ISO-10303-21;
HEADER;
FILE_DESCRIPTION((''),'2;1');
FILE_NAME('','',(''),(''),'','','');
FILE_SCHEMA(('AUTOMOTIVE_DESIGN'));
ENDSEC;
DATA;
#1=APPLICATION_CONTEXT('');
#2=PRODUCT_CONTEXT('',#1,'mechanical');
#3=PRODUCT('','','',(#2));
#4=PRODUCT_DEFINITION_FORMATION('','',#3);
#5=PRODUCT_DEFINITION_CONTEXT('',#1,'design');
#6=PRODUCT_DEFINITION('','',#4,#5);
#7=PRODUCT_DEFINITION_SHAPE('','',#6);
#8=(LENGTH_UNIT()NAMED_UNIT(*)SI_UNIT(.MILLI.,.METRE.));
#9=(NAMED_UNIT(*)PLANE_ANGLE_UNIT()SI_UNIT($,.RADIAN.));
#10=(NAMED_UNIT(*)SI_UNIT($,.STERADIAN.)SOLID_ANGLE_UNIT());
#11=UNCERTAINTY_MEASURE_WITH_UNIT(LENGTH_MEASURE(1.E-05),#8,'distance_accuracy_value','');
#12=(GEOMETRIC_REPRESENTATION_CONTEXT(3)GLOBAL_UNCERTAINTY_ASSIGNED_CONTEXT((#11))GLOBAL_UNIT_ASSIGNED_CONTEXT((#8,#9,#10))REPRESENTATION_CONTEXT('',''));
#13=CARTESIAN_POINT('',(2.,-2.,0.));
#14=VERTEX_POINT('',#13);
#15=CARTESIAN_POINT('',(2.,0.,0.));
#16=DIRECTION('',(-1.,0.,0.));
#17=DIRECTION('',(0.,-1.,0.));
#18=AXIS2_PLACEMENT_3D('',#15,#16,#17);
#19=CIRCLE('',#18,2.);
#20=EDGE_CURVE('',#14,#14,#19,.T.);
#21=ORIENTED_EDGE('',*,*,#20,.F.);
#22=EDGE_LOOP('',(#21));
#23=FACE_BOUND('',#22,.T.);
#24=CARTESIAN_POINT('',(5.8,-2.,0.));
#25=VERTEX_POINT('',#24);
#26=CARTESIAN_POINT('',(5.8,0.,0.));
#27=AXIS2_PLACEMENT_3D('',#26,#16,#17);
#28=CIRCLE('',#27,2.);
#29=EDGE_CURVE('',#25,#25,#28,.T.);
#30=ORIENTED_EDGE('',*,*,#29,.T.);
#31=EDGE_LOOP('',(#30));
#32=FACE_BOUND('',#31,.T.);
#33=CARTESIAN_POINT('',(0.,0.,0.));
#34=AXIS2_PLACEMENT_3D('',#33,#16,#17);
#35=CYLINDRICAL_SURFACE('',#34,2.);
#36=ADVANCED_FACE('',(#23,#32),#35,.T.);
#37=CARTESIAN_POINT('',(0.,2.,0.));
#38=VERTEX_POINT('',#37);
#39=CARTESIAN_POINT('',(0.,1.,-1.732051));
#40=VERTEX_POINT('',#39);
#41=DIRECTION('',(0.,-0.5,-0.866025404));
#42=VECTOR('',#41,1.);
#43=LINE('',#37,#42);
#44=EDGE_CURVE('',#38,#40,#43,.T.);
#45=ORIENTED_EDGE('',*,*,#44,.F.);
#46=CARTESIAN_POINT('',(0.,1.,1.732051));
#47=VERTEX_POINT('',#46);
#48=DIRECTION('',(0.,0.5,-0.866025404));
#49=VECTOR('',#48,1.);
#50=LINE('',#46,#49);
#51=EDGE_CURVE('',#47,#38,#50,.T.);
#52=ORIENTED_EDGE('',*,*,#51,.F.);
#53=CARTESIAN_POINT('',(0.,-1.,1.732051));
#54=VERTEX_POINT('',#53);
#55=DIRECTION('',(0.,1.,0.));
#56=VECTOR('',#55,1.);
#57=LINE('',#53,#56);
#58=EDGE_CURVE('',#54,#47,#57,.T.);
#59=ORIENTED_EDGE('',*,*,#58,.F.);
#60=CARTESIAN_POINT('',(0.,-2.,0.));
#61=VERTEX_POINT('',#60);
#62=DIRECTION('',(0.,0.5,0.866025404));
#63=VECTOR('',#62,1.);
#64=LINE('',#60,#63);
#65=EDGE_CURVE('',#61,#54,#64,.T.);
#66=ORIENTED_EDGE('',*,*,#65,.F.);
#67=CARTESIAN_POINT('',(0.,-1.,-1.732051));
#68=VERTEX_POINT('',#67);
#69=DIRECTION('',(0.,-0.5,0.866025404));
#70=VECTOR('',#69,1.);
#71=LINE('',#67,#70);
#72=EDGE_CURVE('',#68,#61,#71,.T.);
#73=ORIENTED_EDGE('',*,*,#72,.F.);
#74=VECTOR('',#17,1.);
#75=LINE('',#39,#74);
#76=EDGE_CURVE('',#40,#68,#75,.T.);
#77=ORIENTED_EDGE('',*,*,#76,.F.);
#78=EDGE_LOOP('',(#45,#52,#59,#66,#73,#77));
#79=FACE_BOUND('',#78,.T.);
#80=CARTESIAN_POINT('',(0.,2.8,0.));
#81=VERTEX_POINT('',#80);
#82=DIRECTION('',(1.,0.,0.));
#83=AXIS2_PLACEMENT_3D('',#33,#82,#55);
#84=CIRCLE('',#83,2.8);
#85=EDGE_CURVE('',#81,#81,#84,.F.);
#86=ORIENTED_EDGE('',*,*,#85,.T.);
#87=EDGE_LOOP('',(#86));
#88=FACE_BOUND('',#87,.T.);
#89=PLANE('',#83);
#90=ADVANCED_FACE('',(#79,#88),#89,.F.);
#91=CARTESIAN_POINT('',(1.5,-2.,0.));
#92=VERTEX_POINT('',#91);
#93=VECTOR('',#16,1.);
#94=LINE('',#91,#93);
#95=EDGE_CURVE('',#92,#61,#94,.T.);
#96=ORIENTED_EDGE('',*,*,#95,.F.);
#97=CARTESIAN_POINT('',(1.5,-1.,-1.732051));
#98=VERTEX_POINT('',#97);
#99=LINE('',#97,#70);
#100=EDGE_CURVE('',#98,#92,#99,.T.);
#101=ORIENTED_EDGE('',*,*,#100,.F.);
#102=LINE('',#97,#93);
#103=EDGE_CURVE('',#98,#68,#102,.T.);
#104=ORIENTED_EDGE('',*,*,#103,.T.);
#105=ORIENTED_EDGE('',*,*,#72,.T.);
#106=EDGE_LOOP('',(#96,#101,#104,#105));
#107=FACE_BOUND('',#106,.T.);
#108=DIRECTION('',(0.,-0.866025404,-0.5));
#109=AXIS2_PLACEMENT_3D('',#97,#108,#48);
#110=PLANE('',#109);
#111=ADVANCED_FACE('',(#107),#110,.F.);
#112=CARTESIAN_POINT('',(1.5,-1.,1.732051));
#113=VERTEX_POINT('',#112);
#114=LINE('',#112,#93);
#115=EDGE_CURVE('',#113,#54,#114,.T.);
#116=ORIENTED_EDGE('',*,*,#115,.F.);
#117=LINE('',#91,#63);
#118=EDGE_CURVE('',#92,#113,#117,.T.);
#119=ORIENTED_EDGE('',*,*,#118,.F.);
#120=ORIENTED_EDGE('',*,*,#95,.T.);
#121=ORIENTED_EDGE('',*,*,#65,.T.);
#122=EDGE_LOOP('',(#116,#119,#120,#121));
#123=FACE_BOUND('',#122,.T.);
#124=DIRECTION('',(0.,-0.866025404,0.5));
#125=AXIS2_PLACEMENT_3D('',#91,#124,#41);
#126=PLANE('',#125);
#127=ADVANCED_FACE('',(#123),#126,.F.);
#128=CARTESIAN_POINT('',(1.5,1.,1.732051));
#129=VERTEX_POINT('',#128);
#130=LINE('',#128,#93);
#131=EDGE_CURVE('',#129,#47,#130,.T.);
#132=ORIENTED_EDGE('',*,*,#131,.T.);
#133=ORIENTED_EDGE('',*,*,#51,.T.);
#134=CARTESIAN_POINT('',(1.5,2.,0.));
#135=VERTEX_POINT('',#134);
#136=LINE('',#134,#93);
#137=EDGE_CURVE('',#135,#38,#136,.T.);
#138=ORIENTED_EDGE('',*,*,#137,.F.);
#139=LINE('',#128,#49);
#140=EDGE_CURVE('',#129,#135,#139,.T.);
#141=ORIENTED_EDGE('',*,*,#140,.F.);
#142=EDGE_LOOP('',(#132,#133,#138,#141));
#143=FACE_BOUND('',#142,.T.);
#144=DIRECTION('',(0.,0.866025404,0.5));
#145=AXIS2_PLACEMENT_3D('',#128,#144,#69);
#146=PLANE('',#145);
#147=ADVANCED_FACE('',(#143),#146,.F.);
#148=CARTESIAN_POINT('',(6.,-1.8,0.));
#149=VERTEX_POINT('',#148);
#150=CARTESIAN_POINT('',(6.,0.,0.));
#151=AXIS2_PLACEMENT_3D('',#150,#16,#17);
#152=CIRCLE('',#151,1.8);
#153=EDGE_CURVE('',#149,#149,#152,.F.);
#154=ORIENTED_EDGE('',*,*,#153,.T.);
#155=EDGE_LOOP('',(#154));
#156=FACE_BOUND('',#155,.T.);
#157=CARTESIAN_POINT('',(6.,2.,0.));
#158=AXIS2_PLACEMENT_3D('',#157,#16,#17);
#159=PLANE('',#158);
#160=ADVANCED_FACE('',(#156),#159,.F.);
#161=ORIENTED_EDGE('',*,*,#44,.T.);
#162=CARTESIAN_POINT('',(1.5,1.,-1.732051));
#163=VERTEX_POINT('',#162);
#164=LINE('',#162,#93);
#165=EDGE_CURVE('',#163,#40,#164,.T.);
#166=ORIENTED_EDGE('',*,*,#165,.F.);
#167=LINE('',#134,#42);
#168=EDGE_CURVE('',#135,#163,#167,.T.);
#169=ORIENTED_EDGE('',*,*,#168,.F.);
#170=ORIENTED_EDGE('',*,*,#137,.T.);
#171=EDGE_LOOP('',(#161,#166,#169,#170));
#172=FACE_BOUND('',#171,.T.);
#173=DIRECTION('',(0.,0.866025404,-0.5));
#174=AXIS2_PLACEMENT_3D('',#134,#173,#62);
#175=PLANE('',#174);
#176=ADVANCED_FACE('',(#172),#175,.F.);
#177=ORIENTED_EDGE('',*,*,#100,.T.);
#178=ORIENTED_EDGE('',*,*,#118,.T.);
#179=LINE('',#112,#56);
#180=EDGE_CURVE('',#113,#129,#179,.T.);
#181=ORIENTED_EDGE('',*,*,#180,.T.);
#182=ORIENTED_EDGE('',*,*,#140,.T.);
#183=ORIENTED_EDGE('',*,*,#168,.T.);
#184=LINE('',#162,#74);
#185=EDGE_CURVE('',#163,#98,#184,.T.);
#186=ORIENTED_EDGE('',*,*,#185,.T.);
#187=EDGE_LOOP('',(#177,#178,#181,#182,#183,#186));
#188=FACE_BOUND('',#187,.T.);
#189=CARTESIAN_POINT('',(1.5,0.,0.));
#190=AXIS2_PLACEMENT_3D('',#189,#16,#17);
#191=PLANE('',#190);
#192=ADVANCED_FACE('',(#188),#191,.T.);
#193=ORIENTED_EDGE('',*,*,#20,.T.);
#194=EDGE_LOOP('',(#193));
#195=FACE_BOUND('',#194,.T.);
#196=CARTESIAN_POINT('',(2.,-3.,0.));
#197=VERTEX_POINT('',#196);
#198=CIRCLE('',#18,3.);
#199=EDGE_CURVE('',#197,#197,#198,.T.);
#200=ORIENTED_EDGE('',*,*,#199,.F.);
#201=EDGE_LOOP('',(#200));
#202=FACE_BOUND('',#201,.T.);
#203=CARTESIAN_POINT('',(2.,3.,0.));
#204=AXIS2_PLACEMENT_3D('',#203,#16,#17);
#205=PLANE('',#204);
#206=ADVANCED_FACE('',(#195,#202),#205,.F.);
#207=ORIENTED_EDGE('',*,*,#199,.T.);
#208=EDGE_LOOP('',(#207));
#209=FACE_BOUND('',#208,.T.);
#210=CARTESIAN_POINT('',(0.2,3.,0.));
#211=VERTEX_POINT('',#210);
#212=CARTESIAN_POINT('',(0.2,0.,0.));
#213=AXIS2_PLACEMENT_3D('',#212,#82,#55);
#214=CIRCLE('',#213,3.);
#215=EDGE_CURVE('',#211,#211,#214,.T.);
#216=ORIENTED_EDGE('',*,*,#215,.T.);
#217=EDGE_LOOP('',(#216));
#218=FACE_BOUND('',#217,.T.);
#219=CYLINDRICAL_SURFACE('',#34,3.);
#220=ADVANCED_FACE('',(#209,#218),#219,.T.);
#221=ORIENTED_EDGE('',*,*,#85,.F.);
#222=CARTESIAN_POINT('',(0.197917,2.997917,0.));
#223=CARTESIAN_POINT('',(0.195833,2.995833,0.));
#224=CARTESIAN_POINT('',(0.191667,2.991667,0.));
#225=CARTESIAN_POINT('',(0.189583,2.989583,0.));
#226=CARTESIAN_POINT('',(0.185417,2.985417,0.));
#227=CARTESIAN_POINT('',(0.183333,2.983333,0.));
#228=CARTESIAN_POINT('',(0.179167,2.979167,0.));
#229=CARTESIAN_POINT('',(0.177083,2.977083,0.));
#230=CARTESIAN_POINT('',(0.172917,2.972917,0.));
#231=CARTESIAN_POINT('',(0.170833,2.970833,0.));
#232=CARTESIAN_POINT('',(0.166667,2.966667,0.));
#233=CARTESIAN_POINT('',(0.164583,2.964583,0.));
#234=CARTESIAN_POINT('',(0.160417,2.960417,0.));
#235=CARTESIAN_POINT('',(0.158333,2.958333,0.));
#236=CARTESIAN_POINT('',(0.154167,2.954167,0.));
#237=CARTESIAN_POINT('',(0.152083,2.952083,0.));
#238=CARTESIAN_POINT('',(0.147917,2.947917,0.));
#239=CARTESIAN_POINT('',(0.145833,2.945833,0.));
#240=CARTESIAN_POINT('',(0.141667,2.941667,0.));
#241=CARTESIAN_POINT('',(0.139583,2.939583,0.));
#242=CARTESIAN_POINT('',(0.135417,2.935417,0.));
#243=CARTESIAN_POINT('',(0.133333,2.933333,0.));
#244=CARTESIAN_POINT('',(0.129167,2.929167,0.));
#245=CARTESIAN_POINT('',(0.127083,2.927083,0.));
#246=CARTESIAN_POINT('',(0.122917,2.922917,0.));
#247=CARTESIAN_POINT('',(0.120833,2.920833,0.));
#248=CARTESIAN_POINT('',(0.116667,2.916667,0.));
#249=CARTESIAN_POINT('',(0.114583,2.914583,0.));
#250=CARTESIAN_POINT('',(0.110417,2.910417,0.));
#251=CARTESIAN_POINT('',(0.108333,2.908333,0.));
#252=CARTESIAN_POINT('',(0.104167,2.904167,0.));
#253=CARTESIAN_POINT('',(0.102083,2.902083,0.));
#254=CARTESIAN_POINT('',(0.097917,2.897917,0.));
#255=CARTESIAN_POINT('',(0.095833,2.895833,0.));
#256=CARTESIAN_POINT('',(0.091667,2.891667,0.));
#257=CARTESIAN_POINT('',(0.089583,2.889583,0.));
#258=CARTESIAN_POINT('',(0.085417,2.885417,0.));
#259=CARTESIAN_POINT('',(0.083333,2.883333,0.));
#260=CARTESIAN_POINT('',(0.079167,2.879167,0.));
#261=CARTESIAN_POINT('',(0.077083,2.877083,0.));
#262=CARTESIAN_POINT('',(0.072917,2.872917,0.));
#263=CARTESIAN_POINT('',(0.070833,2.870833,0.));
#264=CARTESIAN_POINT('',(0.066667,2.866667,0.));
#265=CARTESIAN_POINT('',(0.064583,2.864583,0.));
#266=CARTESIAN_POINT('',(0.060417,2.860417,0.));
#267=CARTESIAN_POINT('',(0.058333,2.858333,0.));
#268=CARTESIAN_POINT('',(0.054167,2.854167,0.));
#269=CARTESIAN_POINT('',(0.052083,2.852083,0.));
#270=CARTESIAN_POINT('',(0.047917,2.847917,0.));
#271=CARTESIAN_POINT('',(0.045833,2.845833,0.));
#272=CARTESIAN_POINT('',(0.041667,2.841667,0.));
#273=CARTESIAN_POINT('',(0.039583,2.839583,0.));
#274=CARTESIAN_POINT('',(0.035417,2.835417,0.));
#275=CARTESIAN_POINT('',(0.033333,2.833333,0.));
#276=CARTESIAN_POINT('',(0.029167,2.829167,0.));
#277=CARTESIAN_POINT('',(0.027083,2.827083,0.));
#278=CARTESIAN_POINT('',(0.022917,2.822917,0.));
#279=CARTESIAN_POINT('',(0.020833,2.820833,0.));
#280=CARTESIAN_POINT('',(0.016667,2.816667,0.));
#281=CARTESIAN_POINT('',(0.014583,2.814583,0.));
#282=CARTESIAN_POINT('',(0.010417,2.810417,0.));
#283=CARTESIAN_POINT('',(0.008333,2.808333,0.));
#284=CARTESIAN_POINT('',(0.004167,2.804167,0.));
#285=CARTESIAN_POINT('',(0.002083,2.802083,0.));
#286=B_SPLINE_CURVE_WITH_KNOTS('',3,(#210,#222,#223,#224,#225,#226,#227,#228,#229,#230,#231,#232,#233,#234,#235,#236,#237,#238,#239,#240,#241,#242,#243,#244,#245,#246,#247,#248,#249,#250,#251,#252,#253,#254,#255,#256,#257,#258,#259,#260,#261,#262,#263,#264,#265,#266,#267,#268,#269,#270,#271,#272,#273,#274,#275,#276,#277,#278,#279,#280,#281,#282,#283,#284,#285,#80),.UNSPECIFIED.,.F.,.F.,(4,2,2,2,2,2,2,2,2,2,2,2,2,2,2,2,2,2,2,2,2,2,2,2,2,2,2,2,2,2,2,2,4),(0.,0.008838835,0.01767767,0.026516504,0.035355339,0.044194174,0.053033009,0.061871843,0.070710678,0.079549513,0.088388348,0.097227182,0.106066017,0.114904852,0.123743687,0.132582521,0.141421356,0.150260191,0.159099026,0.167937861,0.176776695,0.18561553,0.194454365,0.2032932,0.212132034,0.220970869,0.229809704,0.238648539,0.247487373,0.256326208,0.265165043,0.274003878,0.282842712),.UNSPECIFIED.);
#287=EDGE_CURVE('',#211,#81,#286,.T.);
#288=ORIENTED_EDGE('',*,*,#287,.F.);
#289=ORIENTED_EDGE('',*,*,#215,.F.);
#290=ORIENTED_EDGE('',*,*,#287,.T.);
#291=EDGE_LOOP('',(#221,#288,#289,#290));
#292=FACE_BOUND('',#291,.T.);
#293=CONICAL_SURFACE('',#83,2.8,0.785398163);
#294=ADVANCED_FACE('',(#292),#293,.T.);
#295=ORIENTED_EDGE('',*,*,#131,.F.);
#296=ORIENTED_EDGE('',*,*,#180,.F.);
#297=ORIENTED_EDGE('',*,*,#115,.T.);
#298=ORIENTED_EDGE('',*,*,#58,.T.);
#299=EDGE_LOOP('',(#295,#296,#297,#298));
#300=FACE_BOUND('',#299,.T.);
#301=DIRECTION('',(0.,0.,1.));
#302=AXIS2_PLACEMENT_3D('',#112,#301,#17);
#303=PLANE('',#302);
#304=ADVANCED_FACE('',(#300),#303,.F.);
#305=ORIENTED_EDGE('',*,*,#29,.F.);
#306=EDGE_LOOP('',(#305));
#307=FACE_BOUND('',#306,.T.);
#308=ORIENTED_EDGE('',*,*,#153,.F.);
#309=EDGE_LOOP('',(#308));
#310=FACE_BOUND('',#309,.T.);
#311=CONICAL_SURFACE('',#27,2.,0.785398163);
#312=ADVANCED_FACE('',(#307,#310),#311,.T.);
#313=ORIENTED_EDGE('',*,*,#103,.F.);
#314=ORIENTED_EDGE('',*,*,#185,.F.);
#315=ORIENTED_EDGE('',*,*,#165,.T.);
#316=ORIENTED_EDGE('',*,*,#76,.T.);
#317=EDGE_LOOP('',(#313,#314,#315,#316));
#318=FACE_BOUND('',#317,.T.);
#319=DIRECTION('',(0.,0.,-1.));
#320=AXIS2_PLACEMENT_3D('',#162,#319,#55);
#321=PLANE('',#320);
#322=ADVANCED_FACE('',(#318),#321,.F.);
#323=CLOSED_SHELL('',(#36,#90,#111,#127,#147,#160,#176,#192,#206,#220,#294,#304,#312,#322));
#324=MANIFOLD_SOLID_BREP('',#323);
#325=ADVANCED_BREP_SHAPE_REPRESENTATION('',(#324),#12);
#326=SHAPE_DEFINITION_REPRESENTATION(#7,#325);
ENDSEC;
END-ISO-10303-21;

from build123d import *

# Parameters (mm, degrees)
CUT_EXTRUDE1_DEPTH = 1.5
CHAMFER1_SIZE      = 0.2


with BuildPart() as part:
    # Sketch1 → Revolve1 (revolve)
    with BuildSketch(Plane.XY, mode=Mode.PRIVATE) as revolve1_sk:
        Polygon((0, 0), (0, 3), (2, 3), (2, 2), (6, 2), (6, 0), align=None)
    revolve(revolve1_sk.sketch.rotate(Axis((0, 0, 0), (1, 0, 0)), 180), axis=Axis((0, 0, 0), (1, 0, 0)))

    # Sketch2 → Cut-Extrude1 (cut)
    with BuildSketch(Plane.ZY):
        Polygon((0, 2), (-1.732050808, 1), (-1.732050808, -1), (0, -2), (1.732050808, -1), (1.732050808, 1), align=None)
    extrude(amount=-CUT_EXTRUDE1_DEPTH, mode=Mode.SUBTRACT)

    # Chamfer1
    chamfer1_edges = [part.edges().sort_by_distance(p)[0] for p in [
        (6, 2, 0),
        (0, 3, 0),
    ]]
    chamfer(chamfer1_edges, length=CHAMFER1_SIZE)


solid = part.part
